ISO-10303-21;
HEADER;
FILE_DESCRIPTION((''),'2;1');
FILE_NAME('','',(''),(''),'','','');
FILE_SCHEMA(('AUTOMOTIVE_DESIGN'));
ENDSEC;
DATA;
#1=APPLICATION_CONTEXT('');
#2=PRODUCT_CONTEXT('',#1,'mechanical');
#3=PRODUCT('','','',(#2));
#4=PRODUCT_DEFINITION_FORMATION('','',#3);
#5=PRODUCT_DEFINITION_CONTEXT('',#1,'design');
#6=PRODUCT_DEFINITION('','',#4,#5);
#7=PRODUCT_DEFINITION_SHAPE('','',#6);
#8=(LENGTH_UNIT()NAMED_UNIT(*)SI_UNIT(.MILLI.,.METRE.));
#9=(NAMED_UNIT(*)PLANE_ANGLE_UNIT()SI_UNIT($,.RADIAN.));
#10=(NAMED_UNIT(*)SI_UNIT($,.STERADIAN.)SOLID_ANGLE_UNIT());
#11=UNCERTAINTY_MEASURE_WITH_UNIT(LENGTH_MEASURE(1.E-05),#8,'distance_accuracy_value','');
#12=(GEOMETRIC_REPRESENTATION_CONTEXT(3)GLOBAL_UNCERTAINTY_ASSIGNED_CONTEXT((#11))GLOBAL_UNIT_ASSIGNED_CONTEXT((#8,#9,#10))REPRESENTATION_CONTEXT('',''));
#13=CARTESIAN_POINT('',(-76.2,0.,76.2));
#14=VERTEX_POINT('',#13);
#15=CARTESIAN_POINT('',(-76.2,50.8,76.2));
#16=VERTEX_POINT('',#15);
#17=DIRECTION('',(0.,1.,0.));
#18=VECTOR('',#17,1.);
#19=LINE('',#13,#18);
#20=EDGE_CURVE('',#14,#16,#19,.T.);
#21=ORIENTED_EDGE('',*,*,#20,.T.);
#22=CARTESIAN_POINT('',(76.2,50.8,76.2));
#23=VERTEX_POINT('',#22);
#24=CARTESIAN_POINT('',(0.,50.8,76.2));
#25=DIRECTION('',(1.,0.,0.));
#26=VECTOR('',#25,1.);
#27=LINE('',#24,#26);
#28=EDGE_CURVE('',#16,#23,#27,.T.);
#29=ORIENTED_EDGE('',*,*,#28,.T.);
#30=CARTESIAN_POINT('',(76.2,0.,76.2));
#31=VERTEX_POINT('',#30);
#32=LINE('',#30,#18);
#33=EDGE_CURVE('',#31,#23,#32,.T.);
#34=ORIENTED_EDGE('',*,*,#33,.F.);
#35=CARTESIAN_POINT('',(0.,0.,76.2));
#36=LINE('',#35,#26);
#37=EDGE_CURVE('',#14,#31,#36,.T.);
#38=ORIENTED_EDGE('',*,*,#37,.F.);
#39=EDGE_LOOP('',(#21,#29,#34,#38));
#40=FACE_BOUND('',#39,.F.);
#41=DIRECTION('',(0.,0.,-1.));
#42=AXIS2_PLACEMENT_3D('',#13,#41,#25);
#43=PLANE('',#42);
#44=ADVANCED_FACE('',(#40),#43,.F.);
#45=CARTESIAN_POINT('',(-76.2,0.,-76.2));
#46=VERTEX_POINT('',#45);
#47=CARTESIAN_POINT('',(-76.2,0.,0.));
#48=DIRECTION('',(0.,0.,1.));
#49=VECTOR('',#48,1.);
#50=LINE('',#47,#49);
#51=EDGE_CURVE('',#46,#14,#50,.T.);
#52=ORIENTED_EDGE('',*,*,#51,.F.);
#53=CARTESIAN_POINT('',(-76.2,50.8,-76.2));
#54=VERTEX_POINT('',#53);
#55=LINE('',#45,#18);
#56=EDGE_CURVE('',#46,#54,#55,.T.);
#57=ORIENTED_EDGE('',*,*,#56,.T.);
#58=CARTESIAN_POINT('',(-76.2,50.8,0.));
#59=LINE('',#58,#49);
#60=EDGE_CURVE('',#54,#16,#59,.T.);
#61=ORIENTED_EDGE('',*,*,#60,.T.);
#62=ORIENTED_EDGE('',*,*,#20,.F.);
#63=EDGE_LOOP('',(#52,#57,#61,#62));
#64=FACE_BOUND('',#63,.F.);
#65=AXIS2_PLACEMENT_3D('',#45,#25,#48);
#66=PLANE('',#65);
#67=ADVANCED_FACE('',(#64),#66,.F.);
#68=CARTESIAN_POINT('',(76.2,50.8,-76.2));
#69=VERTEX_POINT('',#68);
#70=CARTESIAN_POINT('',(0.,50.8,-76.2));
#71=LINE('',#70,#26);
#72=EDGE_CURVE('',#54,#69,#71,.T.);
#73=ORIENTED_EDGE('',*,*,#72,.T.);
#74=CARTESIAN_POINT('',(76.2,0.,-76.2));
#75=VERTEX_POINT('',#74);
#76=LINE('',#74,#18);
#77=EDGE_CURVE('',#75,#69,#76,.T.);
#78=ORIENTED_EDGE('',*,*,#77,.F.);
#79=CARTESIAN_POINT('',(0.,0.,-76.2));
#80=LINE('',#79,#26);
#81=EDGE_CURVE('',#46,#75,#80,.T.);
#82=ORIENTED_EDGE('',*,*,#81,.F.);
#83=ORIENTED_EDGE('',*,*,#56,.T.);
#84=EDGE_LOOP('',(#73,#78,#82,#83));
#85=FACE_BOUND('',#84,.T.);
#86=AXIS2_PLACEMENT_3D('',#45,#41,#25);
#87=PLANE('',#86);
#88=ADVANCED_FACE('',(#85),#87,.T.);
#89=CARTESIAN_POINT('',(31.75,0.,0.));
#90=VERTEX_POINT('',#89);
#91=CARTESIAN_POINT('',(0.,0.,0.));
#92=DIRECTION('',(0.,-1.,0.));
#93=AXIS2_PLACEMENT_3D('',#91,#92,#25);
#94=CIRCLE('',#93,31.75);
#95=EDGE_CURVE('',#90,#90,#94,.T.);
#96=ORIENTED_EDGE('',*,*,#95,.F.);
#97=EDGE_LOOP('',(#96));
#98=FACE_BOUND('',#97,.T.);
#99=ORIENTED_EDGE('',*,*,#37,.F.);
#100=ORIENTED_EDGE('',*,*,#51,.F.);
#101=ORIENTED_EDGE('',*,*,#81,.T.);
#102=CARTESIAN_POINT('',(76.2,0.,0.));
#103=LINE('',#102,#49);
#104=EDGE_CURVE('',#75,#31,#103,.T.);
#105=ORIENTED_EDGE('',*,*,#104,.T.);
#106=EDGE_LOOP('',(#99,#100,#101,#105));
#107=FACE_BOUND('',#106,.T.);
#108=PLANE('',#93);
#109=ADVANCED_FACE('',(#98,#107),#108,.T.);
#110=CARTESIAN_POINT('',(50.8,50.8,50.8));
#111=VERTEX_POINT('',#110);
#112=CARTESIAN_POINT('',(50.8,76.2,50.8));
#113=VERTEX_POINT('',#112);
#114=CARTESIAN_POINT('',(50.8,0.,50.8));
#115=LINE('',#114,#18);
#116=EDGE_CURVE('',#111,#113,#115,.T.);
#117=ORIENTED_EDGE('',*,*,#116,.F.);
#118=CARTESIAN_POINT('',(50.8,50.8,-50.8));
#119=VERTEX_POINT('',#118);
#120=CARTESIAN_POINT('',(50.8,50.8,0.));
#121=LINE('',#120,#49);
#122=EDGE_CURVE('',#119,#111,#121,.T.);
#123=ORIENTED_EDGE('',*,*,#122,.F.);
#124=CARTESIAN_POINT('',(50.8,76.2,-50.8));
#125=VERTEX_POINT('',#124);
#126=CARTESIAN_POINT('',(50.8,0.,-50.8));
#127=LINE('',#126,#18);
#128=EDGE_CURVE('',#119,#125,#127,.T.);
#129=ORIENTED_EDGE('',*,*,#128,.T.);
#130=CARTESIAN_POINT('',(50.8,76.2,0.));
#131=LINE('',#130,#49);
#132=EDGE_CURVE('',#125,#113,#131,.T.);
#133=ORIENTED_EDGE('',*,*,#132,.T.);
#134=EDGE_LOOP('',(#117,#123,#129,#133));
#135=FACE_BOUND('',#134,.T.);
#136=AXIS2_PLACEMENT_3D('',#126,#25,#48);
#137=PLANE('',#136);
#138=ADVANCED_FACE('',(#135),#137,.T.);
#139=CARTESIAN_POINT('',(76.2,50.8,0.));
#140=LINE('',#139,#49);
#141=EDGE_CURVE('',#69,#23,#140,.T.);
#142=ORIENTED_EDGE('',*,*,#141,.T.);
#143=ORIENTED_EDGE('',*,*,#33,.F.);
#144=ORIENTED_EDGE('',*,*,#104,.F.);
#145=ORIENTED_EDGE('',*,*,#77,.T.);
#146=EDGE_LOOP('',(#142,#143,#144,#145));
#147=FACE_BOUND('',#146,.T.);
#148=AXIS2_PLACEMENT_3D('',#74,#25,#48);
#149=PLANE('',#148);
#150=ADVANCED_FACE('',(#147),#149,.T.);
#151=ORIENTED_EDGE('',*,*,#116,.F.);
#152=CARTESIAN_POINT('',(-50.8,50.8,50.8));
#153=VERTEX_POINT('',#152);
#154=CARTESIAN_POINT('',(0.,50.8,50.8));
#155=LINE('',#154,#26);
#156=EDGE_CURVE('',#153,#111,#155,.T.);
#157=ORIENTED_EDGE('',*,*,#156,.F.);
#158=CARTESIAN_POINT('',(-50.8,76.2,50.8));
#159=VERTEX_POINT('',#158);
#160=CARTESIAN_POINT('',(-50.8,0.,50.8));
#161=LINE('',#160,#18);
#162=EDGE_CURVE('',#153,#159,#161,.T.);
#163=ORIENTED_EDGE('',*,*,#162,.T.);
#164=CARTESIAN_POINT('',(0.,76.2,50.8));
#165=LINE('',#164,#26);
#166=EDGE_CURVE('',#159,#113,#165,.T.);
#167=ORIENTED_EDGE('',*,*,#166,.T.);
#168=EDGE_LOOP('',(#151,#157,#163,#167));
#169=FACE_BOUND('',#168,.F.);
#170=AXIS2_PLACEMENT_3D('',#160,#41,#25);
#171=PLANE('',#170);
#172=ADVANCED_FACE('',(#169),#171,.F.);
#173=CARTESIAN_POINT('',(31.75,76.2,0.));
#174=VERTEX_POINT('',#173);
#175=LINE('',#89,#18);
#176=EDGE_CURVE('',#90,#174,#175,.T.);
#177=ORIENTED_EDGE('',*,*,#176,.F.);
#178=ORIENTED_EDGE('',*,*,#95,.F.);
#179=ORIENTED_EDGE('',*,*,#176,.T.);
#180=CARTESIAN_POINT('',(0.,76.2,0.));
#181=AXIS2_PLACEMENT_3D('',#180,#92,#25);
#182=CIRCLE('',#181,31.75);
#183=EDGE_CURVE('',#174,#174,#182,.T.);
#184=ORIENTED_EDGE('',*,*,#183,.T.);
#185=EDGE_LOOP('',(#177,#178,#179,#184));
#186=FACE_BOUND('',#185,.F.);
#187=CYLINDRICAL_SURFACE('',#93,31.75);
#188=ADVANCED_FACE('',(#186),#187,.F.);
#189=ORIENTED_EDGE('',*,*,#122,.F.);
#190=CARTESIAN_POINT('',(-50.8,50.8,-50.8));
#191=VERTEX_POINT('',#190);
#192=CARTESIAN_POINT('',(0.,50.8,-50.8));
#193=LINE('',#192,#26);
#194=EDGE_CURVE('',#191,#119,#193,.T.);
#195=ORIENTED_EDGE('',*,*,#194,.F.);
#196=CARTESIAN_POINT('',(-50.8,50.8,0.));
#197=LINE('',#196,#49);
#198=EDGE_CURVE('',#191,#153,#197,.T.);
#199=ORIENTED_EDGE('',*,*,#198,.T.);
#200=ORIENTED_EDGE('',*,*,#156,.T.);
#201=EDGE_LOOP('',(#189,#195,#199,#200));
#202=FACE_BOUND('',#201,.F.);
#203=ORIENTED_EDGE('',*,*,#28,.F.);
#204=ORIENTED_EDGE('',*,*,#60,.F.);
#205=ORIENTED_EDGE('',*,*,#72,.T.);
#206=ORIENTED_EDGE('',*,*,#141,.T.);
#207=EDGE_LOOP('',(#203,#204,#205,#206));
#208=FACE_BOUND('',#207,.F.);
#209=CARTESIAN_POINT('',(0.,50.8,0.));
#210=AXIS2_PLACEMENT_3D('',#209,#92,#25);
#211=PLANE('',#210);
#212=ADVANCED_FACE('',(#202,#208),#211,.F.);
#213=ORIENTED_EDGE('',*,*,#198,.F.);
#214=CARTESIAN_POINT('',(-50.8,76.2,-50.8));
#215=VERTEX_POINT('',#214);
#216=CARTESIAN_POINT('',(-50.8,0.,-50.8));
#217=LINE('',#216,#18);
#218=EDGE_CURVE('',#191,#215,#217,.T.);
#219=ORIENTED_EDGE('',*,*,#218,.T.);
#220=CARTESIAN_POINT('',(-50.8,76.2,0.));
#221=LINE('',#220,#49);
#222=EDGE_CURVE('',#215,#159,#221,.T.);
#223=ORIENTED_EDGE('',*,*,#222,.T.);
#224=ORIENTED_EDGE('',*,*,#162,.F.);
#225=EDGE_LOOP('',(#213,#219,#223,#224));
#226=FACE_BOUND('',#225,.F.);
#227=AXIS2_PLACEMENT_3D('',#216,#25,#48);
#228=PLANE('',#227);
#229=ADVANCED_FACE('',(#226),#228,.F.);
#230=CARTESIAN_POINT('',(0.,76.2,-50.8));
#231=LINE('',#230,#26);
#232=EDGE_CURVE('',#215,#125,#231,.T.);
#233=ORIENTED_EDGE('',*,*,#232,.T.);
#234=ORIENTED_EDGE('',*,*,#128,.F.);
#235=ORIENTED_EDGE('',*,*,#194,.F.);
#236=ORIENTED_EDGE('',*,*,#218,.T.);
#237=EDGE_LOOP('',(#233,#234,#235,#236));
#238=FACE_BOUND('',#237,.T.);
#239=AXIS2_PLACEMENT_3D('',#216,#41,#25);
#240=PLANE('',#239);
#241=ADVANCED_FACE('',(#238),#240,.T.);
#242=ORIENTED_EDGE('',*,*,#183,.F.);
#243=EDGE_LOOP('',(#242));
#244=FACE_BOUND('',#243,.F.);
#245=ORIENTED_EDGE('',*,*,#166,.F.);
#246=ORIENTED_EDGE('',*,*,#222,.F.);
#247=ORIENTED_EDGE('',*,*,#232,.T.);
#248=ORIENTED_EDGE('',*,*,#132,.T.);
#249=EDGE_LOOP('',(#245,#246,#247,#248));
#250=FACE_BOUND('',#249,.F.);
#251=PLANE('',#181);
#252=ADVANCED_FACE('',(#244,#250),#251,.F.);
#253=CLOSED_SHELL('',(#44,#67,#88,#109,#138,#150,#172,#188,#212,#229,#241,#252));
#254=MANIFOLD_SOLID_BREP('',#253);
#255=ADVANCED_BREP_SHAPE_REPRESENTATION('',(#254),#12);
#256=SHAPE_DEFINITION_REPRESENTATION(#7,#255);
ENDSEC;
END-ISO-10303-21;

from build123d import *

# Parameters (mm, degrees)
F0_W     = 101.6
F0_H     = 101.6
F0_R     = 31.75
F1_DEPTH = 76.2
F0_W_2   = 152.4
F0_H_2   = 152.4
F2_DEPTH = 50.8


with BuildPart() as f1:
    # F0 (on Front) → F1 (new body)
    with BuildSketch(Plane.XZ):
        Rectangle(F0_W, F0_H)
        Circle(F0_R, mode=Mode.SUBTRACT)
    extrude(amount=-F1_DEPTH)

    # F0 (on Front) → F2 (join)
    with BuildSketch(Plane.XZ):
        Rectangle(F0_W_2, F0_H_2)
        Rectangle(F0_W, F0_H, mode=Mode.SUBTRACT)
    extrude(amount=-F2_DEPTH)


solid = f1.part
